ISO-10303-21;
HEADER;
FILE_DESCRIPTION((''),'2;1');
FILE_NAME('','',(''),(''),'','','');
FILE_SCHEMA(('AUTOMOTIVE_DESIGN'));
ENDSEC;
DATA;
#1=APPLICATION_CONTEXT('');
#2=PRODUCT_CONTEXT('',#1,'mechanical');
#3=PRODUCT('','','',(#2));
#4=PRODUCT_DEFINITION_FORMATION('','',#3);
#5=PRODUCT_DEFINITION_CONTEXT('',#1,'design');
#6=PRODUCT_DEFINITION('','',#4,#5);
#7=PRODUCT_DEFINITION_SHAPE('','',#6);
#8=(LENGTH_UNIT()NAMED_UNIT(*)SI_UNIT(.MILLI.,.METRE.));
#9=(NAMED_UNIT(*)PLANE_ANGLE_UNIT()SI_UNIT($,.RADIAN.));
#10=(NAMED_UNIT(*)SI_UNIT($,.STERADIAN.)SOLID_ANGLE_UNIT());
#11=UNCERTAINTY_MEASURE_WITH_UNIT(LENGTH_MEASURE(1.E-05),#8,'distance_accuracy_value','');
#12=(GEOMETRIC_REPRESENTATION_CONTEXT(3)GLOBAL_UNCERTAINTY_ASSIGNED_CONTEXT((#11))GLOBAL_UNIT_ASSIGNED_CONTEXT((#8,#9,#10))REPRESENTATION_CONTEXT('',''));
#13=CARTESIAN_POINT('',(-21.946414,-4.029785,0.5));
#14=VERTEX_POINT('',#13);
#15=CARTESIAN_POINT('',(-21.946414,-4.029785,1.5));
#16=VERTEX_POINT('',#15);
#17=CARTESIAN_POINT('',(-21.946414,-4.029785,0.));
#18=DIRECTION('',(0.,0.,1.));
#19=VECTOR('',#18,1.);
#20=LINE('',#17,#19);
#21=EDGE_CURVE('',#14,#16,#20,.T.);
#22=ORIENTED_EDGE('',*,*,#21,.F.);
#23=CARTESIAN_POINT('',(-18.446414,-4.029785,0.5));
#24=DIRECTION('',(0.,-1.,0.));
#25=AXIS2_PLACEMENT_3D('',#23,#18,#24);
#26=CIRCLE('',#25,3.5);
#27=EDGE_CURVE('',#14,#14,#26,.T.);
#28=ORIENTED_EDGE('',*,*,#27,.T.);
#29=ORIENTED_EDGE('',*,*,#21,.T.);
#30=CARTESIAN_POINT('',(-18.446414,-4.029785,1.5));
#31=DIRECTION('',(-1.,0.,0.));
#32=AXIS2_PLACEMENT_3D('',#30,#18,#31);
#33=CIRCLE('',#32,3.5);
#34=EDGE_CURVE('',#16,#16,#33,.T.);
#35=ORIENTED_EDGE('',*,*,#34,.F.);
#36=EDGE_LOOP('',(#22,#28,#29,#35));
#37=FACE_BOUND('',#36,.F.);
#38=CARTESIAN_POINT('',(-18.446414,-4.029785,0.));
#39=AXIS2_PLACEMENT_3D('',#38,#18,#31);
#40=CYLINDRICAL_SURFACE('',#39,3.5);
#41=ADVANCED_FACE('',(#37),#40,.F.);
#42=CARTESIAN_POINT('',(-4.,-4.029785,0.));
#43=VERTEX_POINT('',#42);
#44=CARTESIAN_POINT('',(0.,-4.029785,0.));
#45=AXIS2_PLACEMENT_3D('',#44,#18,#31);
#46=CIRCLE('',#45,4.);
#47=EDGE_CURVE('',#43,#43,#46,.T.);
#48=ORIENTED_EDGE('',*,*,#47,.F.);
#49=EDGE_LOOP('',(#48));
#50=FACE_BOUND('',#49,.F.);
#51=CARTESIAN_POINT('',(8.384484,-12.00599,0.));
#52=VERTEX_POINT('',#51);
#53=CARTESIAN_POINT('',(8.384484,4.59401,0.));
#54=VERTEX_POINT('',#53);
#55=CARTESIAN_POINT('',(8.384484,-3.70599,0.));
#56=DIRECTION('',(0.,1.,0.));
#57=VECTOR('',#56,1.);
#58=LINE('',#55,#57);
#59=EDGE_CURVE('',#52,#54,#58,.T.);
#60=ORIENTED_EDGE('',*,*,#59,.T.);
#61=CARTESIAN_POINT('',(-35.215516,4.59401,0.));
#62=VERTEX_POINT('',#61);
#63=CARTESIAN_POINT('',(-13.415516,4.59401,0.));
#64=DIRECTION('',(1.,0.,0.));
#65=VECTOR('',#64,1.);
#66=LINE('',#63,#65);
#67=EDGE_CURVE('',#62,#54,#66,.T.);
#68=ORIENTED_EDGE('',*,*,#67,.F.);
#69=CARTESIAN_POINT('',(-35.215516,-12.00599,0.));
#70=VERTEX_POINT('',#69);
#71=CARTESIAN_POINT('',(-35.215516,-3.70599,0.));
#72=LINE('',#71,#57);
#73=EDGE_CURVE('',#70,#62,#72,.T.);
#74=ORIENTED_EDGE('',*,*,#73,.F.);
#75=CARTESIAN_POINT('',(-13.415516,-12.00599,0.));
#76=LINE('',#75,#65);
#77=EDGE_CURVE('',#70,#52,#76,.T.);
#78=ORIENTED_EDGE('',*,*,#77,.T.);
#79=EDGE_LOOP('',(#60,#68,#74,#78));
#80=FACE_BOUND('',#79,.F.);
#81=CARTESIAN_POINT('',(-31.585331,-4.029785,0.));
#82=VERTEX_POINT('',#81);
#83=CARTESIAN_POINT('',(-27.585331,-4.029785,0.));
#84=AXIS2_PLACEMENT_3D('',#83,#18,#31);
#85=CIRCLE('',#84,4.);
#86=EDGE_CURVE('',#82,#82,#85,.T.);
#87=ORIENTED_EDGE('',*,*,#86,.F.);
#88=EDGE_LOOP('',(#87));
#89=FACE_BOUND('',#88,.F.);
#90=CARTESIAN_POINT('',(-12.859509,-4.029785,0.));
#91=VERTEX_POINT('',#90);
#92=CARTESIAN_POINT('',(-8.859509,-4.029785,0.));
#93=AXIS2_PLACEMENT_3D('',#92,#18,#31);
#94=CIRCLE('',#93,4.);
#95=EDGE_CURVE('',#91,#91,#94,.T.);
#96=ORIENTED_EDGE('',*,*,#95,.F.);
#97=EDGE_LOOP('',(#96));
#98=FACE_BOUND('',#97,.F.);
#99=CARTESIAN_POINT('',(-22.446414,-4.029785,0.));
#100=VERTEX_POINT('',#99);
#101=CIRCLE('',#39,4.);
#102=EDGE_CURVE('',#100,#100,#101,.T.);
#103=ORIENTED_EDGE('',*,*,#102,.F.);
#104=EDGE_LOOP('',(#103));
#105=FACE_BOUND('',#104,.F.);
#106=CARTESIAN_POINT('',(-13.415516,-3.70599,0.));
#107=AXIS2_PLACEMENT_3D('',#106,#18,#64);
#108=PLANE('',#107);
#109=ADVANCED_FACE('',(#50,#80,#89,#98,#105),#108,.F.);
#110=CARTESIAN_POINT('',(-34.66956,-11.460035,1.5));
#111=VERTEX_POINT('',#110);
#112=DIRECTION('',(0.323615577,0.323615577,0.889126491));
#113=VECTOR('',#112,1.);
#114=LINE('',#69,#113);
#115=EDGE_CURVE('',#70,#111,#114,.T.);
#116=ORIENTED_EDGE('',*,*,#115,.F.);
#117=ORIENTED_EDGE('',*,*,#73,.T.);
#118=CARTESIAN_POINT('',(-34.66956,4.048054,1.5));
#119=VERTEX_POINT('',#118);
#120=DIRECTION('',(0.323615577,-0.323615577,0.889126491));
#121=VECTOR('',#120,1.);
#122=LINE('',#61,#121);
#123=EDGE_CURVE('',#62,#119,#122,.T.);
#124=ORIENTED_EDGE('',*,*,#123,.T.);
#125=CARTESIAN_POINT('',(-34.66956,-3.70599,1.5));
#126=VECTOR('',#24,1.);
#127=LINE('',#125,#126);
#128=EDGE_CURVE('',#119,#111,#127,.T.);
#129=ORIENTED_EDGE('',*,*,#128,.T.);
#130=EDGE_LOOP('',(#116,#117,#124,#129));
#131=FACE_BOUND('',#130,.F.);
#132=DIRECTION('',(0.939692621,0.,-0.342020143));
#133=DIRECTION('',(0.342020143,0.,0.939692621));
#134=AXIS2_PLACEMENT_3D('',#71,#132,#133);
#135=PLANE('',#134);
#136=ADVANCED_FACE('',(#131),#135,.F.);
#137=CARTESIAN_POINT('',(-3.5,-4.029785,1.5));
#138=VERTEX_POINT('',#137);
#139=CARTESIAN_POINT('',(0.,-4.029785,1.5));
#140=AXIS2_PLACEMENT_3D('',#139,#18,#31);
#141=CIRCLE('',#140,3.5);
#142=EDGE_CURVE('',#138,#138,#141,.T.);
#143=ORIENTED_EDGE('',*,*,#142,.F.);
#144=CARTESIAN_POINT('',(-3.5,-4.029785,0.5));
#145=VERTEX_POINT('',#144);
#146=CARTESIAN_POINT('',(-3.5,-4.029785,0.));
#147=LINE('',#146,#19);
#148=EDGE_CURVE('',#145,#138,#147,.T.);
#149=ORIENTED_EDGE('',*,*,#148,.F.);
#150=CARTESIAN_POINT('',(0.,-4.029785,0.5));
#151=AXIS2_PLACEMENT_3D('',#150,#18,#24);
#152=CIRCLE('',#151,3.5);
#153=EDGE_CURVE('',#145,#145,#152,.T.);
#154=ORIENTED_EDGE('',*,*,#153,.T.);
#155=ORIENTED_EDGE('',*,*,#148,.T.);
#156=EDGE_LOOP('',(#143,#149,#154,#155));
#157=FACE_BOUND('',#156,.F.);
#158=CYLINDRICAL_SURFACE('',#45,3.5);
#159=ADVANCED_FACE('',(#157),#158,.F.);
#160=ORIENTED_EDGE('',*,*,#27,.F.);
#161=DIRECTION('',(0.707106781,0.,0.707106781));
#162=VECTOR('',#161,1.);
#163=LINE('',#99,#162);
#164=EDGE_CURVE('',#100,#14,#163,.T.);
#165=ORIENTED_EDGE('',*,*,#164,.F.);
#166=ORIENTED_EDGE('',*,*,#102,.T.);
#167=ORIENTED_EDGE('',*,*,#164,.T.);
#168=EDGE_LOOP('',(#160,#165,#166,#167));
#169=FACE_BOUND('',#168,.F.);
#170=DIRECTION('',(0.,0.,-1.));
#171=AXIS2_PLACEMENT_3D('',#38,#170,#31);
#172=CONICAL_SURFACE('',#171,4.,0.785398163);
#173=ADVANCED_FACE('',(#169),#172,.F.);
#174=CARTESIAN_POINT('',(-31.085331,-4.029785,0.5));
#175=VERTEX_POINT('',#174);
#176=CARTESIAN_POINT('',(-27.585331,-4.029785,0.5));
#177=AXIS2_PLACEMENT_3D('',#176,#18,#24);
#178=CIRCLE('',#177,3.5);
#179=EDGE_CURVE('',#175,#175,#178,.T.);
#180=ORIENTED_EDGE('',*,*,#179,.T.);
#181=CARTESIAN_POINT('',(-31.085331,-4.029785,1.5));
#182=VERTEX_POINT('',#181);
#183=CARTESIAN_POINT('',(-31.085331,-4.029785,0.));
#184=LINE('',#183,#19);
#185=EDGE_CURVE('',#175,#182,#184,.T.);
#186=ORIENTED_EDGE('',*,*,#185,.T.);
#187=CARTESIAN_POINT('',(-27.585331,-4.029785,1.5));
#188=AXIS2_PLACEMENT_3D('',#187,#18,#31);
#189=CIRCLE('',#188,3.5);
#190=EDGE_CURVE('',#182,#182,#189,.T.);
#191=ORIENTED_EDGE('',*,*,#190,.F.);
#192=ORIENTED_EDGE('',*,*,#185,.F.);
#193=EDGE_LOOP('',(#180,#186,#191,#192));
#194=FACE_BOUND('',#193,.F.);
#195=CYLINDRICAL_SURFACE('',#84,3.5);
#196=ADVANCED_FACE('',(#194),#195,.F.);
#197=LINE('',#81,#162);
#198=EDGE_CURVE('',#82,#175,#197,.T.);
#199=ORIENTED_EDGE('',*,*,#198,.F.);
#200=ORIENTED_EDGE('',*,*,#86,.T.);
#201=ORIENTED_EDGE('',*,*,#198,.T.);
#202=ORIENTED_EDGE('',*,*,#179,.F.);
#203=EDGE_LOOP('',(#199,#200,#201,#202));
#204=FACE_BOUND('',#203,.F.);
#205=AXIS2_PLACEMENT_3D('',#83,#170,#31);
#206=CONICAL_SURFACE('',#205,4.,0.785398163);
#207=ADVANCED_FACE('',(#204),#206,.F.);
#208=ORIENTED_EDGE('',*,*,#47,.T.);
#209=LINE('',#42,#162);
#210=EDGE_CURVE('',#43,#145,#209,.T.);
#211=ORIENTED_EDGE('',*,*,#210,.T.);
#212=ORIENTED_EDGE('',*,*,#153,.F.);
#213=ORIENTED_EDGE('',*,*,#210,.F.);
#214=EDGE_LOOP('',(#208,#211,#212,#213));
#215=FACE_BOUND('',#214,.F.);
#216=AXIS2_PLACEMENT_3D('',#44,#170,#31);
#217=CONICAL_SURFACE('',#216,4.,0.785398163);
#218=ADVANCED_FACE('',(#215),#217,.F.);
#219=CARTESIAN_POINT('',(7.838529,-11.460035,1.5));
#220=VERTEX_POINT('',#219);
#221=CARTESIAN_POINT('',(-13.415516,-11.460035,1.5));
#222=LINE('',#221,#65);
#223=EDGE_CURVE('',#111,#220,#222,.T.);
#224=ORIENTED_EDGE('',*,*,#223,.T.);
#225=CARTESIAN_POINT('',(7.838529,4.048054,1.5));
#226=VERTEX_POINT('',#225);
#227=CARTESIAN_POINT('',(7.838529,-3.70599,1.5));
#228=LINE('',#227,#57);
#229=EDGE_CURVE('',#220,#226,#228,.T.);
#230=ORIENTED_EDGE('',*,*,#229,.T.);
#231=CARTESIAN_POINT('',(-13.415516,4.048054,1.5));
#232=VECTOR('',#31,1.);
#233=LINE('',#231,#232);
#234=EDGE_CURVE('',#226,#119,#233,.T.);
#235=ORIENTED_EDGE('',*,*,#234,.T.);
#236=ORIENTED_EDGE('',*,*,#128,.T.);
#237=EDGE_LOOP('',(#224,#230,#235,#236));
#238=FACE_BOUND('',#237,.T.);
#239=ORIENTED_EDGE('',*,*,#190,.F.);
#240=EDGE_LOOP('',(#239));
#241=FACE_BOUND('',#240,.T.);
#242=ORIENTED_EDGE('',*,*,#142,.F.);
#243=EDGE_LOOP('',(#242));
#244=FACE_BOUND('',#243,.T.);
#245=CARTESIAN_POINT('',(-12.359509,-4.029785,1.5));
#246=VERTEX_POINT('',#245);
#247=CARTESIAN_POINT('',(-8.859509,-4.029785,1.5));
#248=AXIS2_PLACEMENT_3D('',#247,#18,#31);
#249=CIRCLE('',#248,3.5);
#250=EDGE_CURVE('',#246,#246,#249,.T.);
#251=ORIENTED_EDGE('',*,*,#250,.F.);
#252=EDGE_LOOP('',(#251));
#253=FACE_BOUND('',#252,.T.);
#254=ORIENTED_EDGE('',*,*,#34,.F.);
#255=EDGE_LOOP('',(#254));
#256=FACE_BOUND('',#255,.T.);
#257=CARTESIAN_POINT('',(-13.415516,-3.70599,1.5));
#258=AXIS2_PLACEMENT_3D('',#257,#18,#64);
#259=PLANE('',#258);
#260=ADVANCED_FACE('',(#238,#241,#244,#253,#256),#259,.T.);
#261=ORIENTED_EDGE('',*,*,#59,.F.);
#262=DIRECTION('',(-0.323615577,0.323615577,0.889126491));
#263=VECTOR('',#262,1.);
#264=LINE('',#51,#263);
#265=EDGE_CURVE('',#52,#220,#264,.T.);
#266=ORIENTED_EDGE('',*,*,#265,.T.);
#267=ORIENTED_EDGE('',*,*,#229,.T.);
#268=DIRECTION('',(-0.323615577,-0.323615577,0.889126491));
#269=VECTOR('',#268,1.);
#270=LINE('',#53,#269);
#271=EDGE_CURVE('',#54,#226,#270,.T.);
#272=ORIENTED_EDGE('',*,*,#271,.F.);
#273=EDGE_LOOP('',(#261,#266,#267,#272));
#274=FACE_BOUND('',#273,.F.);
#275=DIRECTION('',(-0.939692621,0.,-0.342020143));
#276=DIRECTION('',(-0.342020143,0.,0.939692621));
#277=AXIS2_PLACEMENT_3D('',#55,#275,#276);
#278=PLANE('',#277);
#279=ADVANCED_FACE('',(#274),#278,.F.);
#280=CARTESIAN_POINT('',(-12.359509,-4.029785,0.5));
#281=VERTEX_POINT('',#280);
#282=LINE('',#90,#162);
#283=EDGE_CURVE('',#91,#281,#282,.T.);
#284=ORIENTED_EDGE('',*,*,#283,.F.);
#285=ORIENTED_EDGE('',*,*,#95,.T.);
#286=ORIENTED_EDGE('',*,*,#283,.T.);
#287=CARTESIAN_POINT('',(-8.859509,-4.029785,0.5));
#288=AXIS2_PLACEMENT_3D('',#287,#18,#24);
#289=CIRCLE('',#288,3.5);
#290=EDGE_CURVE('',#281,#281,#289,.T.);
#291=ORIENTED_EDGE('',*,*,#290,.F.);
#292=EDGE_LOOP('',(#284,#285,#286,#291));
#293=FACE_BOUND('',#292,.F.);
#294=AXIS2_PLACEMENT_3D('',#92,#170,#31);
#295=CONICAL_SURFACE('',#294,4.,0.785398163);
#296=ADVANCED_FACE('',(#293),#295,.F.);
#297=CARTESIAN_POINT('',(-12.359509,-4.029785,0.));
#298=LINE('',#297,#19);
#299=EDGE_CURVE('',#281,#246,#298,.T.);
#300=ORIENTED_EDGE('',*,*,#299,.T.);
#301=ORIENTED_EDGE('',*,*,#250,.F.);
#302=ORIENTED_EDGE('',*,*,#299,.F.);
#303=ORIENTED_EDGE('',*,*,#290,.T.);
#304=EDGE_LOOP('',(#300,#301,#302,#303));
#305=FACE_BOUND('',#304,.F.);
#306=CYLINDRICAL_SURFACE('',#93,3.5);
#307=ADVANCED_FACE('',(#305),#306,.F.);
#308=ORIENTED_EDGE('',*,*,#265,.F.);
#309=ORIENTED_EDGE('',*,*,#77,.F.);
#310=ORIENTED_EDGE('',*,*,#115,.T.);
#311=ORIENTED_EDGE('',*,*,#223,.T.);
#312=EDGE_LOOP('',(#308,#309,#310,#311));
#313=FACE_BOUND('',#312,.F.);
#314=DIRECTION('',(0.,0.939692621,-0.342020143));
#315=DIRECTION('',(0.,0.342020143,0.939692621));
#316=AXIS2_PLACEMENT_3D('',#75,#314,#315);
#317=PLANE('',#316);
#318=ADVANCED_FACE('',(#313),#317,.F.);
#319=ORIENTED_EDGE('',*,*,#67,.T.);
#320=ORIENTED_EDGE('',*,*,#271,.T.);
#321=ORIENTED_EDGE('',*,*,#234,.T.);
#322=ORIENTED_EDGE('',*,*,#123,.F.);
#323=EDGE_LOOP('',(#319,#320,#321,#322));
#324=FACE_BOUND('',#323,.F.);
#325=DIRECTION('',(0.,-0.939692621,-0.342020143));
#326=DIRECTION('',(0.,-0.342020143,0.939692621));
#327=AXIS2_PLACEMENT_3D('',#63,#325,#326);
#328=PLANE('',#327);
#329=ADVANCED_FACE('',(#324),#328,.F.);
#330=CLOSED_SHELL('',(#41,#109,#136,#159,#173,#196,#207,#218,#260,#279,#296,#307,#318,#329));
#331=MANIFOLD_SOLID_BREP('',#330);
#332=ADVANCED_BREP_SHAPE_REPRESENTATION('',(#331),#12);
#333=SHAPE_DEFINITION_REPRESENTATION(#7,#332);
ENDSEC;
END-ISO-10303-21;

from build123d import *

# Parameters (mm, degrees)
F0_W           = 43.6
F0_H           = 16.6
F1_DEPTH       = 1.5
F1_TAPER       = 20
F2_D           = 7
F2_CSINK_D     = 8
F2_CSINK_ANGLE = 90


with BuildPart() as f1:
    # F0 (on Top) → F1 (new body)
    with BuildSketch(Plane.XY):
        with Locations((-13.4155156434, -3.7059903711)):
            Rectangle(F0_W, F0_H)
    extrude(amount=F1_DEPTH, taper=F1_TAPER)

    # F2 (through all)
    with Locations(Plane(origin=(0, 0, 0), x_dir=(1, 0, 0), z_dir=(0, 0, -1))):
        with Locations((-27.5853313506, 4.0297852829), (-18.4464138001, 4.0297852829), (-8.8595086709, 4.0297852829), (0, 4.0297852829)):
            CounterSinkHole(F2_D / 2, F2_CSINK_D / 2, counter_sink_angle=F2_CSINK_ANGLE)


solid = f1.part
